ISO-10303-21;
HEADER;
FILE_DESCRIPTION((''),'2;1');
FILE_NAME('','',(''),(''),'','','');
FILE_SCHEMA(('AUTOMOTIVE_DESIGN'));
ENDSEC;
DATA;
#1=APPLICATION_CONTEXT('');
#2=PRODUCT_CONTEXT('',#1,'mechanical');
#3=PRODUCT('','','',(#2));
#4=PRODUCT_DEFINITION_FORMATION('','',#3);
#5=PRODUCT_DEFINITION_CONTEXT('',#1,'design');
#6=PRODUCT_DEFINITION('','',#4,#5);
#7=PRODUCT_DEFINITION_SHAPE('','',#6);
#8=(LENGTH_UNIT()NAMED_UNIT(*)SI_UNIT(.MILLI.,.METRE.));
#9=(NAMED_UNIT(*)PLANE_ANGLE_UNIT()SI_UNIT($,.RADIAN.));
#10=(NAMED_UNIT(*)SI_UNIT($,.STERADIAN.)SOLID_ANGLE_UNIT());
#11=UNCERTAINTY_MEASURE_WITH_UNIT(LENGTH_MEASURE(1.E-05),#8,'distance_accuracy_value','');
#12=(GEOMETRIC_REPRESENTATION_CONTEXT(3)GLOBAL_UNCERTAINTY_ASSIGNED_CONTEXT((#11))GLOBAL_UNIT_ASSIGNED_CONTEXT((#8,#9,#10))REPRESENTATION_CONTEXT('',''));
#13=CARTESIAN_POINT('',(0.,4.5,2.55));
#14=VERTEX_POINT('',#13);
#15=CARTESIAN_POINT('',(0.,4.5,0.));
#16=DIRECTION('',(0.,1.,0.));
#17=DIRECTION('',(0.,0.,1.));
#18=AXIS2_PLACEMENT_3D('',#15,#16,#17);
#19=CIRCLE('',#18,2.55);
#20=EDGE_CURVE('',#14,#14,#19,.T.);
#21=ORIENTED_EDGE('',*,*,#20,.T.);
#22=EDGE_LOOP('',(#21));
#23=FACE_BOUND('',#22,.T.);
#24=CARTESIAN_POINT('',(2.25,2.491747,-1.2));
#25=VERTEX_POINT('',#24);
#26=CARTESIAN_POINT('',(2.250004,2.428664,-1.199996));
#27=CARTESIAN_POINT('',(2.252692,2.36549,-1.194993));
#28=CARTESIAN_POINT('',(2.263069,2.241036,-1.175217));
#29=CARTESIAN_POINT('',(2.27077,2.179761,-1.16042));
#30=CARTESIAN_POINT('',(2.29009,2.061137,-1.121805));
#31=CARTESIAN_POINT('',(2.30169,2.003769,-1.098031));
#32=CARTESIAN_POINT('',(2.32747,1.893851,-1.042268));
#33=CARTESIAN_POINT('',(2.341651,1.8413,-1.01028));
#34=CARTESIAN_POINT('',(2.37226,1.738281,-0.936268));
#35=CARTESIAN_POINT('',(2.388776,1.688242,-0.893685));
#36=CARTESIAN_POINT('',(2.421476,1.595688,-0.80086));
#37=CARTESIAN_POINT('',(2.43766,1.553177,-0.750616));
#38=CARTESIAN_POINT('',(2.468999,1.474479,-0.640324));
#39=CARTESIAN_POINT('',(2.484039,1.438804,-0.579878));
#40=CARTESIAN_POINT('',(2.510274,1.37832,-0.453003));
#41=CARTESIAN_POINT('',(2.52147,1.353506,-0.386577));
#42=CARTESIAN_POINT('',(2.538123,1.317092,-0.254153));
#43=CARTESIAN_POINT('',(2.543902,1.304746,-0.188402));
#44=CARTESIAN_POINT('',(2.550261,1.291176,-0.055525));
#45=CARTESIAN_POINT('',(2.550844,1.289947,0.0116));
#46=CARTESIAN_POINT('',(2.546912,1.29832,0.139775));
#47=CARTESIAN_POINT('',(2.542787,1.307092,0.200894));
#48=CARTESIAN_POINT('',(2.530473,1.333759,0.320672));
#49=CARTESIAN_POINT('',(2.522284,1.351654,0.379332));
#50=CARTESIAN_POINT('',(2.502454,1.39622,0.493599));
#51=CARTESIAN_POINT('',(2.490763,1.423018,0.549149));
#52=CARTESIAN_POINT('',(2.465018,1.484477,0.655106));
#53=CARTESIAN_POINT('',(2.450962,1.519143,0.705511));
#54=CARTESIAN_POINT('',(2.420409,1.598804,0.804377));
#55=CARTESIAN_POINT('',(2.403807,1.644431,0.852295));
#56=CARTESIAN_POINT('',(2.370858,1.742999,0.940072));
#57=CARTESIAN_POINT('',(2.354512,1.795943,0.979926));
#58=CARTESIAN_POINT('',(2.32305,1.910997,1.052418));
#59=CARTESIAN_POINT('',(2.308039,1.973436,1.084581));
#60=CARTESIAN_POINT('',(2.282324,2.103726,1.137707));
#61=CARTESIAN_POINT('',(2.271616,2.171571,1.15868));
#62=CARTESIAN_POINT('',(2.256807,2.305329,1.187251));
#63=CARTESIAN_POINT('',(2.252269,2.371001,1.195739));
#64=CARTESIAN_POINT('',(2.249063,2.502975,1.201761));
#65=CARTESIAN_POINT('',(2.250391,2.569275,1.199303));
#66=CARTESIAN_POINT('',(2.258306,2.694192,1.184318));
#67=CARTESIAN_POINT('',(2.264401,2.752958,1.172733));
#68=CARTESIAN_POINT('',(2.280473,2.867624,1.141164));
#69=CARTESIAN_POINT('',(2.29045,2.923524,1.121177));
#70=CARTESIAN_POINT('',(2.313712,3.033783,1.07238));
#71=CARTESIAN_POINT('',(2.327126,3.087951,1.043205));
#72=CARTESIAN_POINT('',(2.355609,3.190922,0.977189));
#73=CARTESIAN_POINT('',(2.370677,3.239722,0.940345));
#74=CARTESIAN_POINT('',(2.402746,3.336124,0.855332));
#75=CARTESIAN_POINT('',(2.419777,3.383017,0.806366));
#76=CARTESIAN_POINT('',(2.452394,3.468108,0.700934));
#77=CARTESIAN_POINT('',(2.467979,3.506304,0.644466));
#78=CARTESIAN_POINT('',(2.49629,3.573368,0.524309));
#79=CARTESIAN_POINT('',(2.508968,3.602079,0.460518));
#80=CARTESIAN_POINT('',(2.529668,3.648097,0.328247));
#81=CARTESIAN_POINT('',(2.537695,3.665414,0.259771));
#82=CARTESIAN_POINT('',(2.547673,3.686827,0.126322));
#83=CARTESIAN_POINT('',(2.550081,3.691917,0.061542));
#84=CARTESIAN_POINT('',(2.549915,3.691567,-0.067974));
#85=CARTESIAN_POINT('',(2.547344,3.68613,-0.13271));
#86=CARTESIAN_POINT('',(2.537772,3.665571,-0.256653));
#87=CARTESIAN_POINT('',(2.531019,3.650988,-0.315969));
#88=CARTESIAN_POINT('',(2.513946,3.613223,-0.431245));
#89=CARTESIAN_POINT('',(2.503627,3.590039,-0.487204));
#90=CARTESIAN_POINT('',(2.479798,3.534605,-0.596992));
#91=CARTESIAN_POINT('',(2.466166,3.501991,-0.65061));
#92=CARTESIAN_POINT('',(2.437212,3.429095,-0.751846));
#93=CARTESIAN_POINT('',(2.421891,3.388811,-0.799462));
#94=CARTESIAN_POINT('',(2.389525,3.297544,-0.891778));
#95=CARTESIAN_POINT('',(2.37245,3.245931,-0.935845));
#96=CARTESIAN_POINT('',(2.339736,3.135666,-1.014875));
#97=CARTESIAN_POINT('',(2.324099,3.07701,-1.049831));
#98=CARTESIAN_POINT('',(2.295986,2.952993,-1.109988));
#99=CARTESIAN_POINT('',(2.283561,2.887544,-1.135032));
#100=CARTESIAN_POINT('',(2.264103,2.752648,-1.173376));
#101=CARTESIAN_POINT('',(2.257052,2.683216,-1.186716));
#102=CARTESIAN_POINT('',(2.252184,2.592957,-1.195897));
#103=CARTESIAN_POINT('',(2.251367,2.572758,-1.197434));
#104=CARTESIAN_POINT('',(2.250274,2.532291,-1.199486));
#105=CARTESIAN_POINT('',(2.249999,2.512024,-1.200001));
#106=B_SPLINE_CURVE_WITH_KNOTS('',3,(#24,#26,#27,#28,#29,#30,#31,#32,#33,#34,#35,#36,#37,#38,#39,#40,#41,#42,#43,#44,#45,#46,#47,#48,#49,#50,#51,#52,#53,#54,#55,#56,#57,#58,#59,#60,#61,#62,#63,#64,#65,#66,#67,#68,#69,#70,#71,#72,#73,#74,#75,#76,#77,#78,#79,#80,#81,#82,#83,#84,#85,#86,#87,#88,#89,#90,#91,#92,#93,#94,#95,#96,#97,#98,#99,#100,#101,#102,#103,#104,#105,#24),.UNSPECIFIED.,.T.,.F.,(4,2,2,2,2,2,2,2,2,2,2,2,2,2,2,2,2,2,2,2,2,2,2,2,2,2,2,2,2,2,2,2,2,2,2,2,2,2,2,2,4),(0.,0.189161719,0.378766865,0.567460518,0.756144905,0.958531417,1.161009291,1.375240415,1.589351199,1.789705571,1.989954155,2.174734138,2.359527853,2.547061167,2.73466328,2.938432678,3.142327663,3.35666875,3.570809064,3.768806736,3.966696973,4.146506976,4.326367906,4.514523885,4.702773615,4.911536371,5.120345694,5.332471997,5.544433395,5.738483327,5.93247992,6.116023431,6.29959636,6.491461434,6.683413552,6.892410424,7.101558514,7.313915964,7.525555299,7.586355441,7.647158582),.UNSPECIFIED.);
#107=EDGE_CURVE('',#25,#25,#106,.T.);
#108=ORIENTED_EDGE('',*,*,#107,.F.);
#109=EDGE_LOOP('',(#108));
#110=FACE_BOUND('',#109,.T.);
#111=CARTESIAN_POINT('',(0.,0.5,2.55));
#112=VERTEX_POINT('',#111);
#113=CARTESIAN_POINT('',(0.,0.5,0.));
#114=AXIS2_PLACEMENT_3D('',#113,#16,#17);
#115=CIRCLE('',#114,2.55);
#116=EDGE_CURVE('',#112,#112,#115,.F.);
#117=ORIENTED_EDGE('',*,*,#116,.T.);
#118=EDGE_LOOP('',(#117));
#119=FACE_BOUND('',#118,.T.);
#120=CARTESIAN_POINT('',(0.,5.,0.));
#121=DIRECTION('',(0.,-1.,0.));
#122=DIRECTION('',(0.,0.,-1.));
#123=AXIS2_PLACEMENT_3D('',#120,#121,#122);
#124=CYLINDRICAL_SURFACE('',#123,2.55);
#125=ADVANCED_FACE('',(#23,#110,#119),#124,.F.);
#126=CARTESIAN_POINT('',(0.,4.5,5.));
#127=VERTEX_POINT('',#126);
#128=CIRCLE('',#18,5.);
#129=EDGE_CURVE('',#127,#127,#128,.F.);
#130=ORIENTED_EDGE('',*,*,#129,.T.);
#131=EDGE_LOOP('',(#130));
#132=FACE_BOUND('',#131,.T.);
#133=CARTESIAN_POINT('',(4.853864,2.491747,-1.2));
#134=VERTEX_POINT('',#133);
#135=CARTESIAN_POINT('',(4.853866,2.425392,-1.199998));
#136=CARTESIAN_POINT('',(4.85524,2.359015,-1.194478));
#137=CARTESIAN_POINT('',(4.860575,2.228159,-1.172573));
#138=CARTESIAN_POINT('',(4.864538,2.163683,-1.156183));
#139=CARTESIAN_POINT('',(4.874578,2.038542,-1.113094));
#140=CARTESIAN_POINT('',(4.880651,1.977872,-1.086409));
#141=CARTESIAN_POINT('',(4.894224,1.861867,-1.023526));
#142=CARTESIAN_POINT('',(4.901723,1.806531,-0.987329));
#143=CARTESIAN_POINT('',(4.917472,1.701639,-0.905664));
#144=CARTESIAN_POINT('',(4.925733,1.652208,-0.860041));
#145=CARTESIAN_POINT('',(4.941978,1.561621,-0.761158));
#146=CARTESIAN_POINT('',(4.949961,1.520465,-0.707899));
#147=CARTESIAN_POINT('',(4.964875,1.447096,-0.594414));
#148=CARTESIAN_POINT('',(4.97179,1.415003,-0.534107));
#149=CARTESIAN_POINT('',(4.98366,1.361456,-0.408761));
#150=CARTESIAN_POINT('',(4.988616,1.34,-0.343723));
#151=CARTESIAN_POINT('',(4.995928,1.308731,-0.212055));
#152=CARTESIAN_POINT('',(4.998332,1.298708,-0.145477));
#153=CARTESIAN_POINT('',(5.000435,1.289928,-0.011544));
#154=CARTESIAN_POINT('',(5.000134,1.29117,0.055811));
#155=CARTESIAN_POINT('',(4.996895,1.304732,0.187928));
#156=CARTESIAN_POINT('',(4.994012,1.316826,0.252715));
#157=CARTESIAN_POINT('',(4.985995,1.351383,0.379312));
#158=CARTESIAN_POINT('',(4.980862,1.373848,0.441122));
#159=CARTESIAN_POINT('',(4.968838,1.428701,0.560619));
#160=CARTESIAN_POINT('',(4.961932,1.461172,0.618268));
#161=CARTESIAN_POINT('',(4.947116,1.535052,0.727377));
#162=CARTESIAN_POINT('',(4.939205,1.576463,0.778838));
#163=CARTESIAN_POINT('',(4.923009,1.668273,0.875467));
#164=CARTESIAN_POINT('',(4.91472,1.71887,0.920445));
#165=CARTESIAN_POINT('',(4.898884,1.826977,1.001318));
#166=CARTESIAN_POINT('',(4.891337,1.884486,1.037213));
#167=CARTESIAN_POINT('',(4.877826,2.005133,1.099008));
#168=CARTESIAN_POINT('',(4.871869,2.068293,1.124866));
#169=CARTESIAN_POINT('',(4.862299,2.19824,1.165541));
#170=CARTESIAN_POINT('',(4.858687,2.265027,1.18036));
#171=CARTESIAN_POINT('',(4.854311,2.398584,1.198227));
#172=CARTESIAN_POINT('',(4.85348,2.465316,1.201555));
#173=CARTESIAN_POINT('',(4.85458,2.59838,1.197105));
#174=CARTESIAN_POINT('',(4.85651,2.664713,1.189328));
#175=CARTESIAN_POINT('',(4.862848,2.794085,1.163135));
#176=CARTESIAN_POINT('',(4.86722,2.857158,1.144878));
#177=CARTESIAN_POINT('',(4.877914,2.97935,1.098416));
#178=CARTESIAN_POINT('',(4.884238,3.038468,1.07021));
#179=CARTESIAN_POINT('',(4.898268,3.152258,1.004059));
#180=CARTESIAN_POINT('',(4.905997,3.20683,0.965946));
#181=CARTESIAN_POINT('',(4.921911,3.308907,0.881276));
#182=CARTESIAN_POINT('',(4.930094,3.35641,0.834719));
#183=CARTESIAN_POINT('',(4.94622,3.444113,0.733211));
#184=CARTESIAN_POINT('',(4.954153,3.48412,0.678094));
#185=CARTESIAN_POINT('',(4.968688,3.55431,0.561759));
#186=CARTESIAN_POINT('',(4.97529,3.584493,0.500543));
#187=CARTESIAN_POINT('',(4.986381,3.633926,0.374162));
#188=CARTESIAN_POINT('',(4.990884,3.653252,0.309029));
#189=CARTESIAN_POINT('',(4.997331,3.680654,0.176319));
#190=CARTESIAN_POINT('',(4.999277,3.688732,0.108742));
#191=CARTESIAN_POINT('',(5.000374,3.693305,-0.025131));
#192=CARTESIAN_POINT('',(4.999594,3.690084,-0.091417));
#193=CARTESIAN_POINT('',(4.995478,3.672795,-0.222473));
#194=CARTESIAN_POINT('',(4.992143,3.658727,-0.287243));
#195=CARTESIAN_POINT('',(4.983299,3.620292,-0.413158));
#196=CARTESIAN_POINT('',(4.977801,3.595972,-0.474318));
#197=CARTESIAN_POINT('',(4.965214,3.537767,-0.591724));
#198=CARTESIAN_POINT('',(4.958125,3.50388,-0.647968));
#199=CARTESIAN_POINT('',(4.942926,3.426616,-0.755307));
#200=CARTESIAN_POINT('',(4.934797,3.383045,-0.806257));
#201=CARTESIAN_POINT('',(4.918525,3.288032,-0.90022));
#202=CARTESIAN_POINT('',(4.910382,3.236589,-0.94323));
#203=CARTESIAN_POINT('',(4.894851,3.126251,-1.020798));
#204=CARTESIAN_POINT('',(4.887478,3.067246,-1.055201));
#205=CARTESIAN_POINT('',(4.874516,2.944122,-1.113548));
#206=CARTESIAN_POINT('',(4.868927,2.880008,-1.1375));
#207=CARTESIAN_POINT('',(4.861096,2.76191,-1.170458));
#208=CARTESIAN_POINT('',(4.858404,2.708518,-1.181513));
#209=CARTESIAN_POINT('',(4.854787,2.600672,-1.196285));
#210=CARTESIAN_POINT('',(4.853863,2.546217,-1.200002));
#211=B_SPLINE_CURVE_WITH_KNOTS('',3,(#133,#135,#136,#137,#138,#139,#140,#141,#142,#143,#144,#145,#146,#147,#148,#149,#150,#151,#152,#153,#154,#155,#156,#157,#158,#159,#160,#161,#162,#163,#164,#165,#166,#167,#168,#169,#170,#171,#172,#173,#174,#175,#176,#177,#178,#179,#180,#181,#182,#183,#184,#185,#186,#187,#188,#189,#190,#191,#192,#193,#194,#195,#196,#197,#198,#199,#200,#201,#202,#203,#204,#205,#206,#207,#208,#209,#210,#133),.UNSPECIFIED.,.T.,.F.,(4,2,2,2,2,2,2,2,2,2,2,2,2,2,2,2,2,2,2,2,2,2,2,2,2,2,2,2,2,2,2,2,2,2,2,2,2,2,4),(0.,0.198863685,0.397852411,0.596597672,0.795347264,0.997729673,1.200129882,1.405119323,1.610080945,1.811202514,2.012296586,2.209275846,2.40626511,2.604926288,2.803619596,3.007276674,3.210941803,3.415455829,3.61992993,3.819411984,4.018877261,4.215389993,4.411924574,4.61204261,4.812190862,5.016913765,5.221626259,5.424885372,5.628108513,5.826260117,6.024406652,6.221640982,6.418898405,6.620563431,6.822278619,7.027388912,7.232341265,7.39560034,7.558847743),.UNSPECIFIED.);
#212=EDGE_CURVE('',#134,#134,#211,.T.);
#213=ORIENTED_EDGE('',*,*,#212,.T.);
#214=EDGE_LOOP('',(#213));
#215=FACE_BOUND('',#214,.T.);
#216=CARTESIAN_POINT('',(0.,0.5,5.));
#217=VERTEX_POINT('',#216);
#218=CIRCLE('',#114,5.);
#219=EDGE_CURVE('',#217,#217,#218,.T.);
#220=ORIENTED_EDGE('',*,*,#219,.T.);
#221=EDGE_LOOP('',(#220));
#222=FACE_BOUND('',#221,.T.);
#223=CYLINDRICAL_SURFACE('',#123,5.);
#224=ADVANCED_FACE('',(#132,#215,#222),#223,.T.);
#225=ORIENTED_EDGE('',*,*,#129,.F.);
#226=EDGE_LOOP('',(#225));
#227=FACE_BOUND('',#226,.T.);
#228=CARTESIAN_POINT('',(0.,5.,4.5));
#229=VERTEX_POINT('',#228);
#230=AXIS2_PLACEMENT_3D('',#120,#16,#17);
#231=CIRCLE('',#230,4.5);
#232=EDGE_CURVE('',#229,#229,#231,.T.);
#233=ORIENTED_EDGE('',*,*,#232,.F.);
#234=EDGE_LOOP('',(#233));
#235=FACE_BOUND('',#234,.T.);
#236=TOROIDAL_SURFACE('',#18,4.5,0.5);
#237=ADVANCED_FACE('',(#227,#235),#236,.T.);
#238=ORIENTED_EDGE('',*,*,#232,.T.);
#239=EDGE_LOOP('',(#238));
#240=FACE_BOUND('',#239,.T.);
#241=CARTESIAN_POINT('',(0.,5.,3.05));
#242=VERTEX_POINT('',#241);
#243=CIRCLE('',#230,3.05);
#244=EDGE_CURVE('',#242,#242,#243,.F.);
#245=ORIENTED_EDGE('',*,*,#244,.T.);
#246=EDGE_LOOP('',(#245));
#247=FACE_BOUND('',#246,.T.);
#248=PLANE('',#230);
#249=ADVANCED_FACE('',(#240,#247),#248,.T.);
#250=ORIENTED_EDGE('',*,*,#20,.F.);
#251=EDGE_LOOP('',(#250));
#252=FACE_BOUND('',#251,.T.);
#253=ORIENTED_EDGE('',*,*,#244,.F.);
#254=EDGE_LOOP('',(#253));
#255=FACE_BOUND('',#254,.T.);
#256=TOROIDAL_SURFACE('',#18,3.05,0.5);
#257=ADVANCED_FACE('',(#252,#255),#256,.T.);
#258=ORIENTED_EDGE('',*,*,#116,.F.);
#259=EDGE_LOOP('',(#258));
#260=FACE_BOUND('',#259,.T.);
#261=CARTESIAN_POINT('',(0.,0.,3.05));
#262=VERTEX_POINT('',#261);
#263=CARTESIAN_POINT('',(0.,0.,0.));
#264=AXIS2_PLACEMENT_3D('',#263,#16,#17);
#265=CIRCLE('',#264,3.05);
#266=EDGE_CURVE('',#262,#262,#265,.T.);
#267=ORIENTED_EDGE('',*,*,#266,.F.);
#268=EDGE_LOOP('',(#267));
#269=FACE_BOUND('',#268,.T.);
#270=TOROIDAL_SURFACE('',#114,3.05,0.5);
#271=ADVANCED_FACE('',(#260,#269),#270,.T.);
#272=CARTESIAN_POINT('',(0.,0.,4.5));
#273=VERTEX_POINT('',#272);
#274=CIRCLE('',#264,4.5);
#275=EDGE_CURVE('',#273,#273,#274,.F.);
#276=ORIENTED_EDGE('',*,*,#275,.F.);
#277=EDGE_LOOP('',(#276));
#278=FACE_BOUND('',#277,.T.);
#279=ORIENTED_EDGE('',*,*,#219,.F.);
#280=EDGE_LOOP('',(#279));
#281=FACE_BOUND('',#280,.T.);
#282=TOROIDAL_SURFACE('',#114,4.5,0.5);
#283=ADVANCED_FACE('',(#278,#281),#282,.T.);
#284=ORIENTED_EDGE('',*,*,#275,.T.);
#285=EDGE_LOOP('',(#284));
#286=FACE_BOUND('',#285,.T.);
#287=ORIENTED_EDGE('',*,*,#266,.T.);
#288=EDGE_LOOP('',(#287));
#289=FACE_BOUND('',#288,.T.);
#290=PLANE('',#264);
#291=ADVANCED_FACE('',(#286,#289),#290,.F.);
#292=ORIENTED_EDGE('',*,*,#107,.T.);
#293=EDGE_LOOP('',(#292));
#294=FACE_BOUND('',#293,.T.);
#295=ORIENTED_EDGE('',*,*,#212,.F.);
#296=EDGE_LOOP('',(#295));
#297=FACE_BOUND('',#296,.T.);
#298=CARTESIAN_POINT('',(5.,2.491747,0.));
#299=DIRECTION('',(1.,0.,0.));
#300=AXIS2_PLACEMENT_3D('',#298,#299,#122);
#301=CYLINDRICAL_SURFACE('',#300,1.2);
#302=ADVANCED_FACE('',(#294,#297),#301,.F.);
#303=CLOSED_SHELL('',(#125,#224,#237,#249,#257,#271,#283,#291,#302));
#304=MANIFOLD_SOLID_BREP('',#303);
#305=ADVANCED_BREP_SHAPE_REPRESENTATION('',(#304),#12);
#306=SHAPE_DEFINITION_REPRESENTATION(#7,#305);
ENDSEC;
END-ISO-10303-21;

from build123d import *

# Parameters (mm, degrees)
SKETCH1_R                 = 5
SKETCH1_R_2               = 2.55
BOSS_EXTRUDE1_DEPTH       = 5
FILLET1_R                 = 0.5
F_2_5MM_DOWEL_HOLE1_D     = 2.4
F_2_5MM_DOWEL_HOLE1_DEPTH = 5
F_2_5MM_DOWEL_HOLE1_TIP   = 0.721032743


with BuildPart() as part:
    # Sketch1 → Boss-Extrude1 (new body)
    with BuildSketch(Plane(origin=(0, 0, 0), x_dir=(1, 0, 0), z_dir=(0, 1, 0))):
        with Locations(Location((0, 0, 0), (0, 0, 270))):
            Circle(SKETCH1_R)
        with Locations(Location((0, 0, 0), (0, 0, 270))):
            Circle(SKETCH1_R_2, mode=Mode.SUBTRACT)
    extrude(amount=BOSS_EXTRUDE1_DEPTH)

    # Fillet1
    fillet1_edges = [part.edges().sort_by_distance(p)[0] for p in [
        (0, 0, -5),
        (0, 5, -5),
        (0, 0, -2.55),
        (0, 5, -2.55),
    ]]
    fillet(fillet1_edges, radius=FILLET1_R)

    # Ø2.5mm Dowel Hole1
    with Locations(Plane(origin=(5, 2.491746689, 0), x_dir=(0, 0, 1), z_dir=(1, 0, 0))):
        with Locations((0, 0)):
            Hole(F_2_5MM_DOWEL_HOLE1_D / 2, depth=F_2_5MM_DOWEL_HOLE1_DEPTH)
            with Locations((0, 0, -(F_2_5MM_DOWEL_HOLE1_DEPTH + F_2_5MM_DOWEL_HOLE1_TIP / 2))):  # 118° drill point
                Cone(0, F_2_5MM_DOWEL_HOLE1_D / 2, F_2_5MM_DOWEL_HOLE1_TIP, mode=Mode.SUBTRACT)


solid = part.part
